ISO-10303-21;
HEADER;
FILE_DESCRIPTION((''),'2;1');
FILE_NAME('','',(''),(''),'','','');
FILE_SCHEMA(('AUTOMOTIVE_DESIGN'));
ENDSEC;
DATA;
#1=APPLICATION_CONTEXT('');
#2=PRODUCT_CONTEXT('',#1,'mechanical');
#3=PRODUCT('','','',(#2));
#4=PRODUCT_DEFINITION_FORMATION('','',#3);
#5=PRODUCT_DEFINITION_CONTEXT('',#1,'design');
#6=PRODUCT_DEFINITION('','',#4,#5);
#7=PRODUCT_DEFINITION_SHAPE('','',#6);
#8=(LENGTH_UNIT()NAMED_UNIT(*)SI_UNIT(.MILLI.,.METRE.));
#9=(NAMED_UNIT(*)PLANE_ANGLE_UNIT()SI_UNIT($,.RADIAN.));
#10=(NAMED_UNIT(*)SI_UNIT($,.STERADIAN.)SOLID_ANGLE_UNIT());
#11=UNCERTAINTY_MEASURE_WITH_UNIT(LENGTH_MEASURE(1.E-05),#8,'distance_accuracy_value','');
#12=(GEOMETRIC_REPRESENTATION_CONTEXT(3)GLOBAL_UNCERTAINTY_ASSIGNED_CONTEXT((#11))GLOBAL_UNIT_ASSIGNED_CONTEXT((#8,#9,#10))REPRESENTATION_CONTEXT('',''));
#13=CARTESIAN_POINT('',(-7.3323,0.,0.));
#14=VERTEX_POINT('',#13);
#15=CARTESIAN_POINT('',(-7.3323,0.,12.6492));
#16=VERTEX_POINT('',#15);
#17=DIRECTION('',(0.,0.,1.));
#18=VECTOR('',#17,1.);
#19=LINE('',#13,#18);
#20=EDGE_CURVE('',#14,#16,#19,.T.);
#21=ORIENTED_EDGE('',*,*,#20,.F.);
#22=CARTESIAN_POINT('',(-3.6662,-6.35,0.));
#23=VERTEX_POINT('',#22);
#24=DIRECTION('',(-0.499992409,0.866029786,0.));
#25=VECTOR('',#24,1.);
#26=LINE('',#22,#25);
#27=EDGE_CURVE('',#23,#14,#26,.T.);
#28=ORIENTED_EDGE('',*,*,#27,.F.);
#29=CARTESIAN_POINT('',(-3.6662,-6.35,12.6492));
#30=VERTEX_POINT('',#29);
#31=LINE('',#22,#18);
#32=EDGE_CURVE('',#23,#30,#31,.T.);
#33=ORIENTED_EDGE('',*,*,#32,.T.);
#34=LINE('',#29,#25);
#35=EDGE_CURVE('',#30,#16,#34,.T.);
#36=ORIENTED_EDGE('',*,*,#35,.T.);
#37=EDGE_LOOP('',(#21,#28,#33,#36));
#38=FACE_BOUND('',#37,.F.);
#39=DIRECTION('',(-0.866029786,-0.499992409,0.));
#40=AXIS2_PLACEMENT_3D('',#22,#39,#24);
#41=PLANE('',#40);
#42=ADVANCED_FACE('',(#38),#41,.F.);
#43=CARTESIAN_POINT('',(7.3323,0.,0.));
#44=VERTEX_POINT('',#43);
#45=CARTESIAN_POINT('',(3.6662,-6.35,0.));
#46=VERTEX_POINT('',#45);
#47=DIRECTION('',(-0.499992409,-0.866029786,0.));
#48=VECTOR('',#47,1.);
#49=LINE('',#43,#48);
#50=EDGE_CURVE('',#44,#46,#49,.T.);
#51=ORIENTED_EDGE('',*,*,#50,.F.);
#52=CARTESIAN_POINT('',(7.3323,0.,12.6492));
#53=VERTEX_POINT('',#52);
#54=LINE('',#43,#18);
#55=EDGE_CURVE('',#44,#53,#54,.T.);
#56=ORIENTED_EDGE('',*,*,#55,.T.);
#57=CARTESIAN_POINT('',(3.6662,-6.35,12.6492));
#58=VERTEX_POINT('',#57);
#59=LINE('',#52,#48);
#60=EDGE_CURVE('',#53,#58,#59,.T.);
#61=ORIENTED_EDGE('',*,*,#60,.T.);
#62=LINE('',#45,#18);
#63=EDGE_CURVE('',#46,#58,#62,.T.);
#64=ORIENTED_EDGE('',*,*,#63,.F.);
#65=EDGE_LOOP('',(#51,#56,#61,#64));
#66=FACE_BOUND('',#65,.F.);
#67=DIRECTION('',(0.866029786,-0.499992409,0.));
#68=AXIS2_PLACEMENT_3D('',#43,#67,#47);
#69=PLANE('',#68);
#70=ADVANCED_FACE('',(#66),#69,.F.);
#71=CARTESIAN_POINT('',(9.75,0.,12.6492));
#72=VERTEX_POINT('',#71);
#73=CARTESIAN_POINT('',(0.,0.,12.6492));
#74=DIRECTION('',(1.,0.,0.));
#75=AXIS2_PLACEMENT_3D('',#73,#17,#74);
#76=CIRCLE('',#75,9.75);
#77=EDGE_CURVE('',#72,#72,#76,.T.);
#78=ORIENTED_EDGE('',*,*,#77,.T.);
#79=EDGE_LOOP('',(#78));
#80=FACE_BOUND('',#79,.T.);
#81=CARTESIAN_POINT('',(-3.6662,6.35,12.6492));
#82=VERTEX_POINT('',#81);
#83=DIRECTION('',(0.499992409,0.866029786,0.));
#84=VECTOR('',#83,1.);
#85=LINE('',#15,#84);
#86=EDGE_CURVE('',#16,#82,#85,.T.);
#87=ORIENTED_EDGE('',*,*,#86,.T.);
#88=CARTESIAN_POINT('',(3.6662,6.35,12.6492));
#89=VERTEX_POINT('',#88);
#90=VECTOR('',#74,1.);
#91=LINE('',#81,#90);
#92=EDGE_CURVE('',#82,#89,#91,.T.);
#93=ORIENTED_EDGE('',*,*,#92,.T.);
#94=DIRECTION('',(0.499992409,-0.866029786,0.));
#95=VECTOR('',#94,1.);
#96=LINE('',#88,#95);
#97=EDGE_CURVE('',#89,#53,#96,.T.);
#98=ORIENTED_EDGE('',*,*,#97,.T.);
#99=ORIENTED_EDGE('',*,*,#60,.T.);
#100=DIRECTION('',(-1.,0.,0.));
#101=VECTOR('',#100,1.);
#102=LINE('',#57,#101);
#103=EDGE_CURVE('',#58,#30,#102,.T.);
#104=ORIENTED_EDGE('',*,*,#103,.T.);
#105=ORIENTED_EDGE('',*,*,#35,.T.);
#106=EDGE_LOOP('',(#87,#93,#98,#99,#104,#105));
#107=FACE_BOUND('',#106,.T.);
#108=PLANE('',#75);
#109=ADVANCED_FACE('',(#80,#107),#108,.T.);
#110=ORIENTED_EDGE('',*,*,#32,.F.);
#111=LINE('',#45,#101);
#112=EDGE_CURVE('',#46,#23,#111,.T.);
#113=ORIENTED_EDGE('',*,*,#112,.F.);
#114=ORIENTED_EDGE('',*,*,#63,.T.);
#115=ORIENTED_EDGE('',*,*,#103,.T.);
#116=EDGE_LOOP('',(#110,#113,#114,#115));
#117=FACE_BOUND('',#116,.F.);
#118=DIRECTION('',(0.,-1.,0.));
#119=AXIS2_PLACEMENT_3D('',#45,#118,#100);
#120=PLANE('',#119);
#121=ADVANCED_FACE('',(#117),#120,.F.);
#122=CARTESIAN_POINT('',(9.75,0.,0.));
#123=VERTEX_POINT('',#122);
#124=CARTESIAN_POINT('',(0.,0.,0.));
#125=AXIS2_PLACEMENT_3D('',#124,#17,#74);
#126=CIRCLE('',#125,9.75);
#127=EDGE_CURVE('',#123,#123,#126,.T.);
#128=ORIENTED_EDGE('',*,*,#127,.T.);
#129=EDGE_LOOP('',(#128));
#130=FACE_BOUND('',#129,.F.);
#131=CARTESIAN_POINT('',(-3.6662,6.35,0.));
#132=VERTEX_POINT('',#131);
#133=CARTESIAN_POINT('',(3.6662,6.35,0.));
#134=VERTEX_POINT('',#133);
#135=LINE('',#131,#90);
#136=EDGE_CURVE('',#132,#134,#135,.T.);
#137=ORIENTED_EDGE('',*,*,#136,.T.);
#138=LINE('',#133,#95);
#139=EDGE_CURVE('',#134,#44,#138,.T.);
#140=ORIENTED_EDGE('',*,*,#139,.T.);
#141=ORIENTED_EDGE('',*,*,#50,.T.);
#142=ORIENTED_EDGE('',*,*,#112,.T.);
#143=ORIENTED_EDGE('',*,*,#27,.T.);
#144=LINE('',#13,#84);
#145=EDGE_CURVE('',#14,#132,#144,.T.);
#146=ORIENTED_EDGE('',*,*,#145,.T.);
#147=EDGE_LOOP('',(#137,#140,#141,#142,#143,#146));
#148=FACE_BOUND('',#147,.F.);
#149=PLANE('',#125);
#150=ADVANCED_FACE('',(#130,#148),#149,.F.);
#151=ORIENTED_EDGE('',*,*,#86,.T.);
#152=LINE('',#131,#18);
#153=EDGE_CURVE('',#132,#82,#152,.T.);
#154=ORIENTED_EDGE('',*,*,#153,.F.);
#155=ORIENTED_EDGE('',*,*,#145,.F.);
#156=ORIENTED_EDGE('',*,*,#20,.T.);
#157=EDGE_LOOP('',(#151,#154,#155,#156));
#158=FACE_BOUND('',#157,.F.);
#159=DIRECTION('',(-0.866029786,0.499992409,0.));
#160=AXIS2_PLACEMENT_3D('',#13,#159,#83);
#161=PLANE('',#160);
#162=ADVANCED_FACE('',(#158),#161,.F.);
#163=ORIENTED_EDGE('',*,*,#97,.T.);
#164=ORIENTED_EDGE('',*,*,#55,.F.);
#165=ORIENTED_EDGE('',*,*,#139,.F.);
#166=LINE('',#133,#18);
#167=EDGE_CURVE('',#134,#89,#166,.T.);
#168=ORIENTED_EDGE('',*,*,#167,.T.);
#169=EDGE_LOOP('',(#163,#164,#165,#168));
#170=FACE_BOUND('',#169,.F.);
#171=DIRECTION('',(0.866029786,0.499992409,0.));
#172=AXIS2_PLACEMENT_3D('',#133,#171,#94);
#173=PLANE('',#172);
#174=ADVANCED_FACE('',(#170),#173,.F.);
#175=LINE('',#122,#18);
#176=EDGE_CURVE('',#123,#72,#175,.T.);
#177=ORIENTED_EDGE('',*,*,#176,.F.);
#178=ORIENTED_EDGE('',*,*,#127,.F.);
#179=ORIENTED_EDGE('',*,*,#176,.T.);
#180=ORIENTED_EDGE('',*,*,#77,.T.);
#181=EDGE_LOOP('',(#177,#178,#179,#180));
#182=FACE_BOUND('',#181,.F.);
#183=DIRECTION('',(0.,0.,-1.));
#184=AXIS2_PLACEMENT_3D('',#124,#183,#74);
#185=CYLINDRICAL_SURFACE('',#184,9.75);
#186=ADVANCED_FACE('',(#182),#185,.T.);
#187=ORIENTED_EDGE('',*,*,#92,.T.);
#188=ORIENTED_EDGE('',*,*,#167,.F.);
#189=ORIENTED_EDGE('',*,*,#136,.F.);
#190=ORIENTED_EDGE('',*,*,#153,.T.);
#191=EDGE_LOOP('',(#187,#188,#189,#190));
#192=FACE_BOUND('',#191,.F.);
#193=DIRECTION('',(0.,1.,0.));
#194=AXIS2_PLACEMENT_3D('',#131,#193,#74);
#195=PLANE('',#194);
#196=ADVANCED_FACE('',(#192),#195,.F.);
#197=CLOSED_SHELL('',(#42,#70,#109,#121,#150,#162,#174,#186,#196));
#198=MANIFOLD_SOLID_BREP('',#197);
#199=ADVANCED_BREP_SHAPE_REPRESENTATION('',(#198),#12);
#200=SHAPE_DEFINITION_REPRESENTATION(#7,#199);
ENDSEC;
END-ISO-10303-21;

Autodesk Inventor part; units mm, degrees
ref_plane "YZ Plane" through (0, 0, 0) normal (1, 0, 0) x (0, 1, 0)
ref_plane "XZ Plane" through (0, 0, 0) normal (0, 1, 0) x (-1, 0, 0)
ref_plane "XY Plane" through (0, 0, 0) normal (0, 0, 1) x (1, 0, 0)
sketch "Sketch1" plane through (0, 0, 0) normal (0, 0, 1) x (1, 0, 0)
  circle A0 centre (0, 0) radius 9.75
  line L0 (-7.3323, 0) -> (-3.6662, 6.35)
  line L1 (-3.6662, 6.35) -> (3.6662, 6.35)
  line L2 (3.6662, 6.35) -> (7.3323, 0)
  line L3 (7.3323, 0) -> (3.6662, -6.35)
  line L4 (3.6662, -6.35) -> (-3.6662, -6.35)
  line L5 (-3.6662, -6.35) -> (-7.3323, 0)
  dimension "d0" = 19.5
  dimension "d1" = 12.7
extrude "Extrusion1" add sketch "Sketch1" along normal blind 12.6492
properties part number "spacer_0.498inches" material "PVC-Piping"
